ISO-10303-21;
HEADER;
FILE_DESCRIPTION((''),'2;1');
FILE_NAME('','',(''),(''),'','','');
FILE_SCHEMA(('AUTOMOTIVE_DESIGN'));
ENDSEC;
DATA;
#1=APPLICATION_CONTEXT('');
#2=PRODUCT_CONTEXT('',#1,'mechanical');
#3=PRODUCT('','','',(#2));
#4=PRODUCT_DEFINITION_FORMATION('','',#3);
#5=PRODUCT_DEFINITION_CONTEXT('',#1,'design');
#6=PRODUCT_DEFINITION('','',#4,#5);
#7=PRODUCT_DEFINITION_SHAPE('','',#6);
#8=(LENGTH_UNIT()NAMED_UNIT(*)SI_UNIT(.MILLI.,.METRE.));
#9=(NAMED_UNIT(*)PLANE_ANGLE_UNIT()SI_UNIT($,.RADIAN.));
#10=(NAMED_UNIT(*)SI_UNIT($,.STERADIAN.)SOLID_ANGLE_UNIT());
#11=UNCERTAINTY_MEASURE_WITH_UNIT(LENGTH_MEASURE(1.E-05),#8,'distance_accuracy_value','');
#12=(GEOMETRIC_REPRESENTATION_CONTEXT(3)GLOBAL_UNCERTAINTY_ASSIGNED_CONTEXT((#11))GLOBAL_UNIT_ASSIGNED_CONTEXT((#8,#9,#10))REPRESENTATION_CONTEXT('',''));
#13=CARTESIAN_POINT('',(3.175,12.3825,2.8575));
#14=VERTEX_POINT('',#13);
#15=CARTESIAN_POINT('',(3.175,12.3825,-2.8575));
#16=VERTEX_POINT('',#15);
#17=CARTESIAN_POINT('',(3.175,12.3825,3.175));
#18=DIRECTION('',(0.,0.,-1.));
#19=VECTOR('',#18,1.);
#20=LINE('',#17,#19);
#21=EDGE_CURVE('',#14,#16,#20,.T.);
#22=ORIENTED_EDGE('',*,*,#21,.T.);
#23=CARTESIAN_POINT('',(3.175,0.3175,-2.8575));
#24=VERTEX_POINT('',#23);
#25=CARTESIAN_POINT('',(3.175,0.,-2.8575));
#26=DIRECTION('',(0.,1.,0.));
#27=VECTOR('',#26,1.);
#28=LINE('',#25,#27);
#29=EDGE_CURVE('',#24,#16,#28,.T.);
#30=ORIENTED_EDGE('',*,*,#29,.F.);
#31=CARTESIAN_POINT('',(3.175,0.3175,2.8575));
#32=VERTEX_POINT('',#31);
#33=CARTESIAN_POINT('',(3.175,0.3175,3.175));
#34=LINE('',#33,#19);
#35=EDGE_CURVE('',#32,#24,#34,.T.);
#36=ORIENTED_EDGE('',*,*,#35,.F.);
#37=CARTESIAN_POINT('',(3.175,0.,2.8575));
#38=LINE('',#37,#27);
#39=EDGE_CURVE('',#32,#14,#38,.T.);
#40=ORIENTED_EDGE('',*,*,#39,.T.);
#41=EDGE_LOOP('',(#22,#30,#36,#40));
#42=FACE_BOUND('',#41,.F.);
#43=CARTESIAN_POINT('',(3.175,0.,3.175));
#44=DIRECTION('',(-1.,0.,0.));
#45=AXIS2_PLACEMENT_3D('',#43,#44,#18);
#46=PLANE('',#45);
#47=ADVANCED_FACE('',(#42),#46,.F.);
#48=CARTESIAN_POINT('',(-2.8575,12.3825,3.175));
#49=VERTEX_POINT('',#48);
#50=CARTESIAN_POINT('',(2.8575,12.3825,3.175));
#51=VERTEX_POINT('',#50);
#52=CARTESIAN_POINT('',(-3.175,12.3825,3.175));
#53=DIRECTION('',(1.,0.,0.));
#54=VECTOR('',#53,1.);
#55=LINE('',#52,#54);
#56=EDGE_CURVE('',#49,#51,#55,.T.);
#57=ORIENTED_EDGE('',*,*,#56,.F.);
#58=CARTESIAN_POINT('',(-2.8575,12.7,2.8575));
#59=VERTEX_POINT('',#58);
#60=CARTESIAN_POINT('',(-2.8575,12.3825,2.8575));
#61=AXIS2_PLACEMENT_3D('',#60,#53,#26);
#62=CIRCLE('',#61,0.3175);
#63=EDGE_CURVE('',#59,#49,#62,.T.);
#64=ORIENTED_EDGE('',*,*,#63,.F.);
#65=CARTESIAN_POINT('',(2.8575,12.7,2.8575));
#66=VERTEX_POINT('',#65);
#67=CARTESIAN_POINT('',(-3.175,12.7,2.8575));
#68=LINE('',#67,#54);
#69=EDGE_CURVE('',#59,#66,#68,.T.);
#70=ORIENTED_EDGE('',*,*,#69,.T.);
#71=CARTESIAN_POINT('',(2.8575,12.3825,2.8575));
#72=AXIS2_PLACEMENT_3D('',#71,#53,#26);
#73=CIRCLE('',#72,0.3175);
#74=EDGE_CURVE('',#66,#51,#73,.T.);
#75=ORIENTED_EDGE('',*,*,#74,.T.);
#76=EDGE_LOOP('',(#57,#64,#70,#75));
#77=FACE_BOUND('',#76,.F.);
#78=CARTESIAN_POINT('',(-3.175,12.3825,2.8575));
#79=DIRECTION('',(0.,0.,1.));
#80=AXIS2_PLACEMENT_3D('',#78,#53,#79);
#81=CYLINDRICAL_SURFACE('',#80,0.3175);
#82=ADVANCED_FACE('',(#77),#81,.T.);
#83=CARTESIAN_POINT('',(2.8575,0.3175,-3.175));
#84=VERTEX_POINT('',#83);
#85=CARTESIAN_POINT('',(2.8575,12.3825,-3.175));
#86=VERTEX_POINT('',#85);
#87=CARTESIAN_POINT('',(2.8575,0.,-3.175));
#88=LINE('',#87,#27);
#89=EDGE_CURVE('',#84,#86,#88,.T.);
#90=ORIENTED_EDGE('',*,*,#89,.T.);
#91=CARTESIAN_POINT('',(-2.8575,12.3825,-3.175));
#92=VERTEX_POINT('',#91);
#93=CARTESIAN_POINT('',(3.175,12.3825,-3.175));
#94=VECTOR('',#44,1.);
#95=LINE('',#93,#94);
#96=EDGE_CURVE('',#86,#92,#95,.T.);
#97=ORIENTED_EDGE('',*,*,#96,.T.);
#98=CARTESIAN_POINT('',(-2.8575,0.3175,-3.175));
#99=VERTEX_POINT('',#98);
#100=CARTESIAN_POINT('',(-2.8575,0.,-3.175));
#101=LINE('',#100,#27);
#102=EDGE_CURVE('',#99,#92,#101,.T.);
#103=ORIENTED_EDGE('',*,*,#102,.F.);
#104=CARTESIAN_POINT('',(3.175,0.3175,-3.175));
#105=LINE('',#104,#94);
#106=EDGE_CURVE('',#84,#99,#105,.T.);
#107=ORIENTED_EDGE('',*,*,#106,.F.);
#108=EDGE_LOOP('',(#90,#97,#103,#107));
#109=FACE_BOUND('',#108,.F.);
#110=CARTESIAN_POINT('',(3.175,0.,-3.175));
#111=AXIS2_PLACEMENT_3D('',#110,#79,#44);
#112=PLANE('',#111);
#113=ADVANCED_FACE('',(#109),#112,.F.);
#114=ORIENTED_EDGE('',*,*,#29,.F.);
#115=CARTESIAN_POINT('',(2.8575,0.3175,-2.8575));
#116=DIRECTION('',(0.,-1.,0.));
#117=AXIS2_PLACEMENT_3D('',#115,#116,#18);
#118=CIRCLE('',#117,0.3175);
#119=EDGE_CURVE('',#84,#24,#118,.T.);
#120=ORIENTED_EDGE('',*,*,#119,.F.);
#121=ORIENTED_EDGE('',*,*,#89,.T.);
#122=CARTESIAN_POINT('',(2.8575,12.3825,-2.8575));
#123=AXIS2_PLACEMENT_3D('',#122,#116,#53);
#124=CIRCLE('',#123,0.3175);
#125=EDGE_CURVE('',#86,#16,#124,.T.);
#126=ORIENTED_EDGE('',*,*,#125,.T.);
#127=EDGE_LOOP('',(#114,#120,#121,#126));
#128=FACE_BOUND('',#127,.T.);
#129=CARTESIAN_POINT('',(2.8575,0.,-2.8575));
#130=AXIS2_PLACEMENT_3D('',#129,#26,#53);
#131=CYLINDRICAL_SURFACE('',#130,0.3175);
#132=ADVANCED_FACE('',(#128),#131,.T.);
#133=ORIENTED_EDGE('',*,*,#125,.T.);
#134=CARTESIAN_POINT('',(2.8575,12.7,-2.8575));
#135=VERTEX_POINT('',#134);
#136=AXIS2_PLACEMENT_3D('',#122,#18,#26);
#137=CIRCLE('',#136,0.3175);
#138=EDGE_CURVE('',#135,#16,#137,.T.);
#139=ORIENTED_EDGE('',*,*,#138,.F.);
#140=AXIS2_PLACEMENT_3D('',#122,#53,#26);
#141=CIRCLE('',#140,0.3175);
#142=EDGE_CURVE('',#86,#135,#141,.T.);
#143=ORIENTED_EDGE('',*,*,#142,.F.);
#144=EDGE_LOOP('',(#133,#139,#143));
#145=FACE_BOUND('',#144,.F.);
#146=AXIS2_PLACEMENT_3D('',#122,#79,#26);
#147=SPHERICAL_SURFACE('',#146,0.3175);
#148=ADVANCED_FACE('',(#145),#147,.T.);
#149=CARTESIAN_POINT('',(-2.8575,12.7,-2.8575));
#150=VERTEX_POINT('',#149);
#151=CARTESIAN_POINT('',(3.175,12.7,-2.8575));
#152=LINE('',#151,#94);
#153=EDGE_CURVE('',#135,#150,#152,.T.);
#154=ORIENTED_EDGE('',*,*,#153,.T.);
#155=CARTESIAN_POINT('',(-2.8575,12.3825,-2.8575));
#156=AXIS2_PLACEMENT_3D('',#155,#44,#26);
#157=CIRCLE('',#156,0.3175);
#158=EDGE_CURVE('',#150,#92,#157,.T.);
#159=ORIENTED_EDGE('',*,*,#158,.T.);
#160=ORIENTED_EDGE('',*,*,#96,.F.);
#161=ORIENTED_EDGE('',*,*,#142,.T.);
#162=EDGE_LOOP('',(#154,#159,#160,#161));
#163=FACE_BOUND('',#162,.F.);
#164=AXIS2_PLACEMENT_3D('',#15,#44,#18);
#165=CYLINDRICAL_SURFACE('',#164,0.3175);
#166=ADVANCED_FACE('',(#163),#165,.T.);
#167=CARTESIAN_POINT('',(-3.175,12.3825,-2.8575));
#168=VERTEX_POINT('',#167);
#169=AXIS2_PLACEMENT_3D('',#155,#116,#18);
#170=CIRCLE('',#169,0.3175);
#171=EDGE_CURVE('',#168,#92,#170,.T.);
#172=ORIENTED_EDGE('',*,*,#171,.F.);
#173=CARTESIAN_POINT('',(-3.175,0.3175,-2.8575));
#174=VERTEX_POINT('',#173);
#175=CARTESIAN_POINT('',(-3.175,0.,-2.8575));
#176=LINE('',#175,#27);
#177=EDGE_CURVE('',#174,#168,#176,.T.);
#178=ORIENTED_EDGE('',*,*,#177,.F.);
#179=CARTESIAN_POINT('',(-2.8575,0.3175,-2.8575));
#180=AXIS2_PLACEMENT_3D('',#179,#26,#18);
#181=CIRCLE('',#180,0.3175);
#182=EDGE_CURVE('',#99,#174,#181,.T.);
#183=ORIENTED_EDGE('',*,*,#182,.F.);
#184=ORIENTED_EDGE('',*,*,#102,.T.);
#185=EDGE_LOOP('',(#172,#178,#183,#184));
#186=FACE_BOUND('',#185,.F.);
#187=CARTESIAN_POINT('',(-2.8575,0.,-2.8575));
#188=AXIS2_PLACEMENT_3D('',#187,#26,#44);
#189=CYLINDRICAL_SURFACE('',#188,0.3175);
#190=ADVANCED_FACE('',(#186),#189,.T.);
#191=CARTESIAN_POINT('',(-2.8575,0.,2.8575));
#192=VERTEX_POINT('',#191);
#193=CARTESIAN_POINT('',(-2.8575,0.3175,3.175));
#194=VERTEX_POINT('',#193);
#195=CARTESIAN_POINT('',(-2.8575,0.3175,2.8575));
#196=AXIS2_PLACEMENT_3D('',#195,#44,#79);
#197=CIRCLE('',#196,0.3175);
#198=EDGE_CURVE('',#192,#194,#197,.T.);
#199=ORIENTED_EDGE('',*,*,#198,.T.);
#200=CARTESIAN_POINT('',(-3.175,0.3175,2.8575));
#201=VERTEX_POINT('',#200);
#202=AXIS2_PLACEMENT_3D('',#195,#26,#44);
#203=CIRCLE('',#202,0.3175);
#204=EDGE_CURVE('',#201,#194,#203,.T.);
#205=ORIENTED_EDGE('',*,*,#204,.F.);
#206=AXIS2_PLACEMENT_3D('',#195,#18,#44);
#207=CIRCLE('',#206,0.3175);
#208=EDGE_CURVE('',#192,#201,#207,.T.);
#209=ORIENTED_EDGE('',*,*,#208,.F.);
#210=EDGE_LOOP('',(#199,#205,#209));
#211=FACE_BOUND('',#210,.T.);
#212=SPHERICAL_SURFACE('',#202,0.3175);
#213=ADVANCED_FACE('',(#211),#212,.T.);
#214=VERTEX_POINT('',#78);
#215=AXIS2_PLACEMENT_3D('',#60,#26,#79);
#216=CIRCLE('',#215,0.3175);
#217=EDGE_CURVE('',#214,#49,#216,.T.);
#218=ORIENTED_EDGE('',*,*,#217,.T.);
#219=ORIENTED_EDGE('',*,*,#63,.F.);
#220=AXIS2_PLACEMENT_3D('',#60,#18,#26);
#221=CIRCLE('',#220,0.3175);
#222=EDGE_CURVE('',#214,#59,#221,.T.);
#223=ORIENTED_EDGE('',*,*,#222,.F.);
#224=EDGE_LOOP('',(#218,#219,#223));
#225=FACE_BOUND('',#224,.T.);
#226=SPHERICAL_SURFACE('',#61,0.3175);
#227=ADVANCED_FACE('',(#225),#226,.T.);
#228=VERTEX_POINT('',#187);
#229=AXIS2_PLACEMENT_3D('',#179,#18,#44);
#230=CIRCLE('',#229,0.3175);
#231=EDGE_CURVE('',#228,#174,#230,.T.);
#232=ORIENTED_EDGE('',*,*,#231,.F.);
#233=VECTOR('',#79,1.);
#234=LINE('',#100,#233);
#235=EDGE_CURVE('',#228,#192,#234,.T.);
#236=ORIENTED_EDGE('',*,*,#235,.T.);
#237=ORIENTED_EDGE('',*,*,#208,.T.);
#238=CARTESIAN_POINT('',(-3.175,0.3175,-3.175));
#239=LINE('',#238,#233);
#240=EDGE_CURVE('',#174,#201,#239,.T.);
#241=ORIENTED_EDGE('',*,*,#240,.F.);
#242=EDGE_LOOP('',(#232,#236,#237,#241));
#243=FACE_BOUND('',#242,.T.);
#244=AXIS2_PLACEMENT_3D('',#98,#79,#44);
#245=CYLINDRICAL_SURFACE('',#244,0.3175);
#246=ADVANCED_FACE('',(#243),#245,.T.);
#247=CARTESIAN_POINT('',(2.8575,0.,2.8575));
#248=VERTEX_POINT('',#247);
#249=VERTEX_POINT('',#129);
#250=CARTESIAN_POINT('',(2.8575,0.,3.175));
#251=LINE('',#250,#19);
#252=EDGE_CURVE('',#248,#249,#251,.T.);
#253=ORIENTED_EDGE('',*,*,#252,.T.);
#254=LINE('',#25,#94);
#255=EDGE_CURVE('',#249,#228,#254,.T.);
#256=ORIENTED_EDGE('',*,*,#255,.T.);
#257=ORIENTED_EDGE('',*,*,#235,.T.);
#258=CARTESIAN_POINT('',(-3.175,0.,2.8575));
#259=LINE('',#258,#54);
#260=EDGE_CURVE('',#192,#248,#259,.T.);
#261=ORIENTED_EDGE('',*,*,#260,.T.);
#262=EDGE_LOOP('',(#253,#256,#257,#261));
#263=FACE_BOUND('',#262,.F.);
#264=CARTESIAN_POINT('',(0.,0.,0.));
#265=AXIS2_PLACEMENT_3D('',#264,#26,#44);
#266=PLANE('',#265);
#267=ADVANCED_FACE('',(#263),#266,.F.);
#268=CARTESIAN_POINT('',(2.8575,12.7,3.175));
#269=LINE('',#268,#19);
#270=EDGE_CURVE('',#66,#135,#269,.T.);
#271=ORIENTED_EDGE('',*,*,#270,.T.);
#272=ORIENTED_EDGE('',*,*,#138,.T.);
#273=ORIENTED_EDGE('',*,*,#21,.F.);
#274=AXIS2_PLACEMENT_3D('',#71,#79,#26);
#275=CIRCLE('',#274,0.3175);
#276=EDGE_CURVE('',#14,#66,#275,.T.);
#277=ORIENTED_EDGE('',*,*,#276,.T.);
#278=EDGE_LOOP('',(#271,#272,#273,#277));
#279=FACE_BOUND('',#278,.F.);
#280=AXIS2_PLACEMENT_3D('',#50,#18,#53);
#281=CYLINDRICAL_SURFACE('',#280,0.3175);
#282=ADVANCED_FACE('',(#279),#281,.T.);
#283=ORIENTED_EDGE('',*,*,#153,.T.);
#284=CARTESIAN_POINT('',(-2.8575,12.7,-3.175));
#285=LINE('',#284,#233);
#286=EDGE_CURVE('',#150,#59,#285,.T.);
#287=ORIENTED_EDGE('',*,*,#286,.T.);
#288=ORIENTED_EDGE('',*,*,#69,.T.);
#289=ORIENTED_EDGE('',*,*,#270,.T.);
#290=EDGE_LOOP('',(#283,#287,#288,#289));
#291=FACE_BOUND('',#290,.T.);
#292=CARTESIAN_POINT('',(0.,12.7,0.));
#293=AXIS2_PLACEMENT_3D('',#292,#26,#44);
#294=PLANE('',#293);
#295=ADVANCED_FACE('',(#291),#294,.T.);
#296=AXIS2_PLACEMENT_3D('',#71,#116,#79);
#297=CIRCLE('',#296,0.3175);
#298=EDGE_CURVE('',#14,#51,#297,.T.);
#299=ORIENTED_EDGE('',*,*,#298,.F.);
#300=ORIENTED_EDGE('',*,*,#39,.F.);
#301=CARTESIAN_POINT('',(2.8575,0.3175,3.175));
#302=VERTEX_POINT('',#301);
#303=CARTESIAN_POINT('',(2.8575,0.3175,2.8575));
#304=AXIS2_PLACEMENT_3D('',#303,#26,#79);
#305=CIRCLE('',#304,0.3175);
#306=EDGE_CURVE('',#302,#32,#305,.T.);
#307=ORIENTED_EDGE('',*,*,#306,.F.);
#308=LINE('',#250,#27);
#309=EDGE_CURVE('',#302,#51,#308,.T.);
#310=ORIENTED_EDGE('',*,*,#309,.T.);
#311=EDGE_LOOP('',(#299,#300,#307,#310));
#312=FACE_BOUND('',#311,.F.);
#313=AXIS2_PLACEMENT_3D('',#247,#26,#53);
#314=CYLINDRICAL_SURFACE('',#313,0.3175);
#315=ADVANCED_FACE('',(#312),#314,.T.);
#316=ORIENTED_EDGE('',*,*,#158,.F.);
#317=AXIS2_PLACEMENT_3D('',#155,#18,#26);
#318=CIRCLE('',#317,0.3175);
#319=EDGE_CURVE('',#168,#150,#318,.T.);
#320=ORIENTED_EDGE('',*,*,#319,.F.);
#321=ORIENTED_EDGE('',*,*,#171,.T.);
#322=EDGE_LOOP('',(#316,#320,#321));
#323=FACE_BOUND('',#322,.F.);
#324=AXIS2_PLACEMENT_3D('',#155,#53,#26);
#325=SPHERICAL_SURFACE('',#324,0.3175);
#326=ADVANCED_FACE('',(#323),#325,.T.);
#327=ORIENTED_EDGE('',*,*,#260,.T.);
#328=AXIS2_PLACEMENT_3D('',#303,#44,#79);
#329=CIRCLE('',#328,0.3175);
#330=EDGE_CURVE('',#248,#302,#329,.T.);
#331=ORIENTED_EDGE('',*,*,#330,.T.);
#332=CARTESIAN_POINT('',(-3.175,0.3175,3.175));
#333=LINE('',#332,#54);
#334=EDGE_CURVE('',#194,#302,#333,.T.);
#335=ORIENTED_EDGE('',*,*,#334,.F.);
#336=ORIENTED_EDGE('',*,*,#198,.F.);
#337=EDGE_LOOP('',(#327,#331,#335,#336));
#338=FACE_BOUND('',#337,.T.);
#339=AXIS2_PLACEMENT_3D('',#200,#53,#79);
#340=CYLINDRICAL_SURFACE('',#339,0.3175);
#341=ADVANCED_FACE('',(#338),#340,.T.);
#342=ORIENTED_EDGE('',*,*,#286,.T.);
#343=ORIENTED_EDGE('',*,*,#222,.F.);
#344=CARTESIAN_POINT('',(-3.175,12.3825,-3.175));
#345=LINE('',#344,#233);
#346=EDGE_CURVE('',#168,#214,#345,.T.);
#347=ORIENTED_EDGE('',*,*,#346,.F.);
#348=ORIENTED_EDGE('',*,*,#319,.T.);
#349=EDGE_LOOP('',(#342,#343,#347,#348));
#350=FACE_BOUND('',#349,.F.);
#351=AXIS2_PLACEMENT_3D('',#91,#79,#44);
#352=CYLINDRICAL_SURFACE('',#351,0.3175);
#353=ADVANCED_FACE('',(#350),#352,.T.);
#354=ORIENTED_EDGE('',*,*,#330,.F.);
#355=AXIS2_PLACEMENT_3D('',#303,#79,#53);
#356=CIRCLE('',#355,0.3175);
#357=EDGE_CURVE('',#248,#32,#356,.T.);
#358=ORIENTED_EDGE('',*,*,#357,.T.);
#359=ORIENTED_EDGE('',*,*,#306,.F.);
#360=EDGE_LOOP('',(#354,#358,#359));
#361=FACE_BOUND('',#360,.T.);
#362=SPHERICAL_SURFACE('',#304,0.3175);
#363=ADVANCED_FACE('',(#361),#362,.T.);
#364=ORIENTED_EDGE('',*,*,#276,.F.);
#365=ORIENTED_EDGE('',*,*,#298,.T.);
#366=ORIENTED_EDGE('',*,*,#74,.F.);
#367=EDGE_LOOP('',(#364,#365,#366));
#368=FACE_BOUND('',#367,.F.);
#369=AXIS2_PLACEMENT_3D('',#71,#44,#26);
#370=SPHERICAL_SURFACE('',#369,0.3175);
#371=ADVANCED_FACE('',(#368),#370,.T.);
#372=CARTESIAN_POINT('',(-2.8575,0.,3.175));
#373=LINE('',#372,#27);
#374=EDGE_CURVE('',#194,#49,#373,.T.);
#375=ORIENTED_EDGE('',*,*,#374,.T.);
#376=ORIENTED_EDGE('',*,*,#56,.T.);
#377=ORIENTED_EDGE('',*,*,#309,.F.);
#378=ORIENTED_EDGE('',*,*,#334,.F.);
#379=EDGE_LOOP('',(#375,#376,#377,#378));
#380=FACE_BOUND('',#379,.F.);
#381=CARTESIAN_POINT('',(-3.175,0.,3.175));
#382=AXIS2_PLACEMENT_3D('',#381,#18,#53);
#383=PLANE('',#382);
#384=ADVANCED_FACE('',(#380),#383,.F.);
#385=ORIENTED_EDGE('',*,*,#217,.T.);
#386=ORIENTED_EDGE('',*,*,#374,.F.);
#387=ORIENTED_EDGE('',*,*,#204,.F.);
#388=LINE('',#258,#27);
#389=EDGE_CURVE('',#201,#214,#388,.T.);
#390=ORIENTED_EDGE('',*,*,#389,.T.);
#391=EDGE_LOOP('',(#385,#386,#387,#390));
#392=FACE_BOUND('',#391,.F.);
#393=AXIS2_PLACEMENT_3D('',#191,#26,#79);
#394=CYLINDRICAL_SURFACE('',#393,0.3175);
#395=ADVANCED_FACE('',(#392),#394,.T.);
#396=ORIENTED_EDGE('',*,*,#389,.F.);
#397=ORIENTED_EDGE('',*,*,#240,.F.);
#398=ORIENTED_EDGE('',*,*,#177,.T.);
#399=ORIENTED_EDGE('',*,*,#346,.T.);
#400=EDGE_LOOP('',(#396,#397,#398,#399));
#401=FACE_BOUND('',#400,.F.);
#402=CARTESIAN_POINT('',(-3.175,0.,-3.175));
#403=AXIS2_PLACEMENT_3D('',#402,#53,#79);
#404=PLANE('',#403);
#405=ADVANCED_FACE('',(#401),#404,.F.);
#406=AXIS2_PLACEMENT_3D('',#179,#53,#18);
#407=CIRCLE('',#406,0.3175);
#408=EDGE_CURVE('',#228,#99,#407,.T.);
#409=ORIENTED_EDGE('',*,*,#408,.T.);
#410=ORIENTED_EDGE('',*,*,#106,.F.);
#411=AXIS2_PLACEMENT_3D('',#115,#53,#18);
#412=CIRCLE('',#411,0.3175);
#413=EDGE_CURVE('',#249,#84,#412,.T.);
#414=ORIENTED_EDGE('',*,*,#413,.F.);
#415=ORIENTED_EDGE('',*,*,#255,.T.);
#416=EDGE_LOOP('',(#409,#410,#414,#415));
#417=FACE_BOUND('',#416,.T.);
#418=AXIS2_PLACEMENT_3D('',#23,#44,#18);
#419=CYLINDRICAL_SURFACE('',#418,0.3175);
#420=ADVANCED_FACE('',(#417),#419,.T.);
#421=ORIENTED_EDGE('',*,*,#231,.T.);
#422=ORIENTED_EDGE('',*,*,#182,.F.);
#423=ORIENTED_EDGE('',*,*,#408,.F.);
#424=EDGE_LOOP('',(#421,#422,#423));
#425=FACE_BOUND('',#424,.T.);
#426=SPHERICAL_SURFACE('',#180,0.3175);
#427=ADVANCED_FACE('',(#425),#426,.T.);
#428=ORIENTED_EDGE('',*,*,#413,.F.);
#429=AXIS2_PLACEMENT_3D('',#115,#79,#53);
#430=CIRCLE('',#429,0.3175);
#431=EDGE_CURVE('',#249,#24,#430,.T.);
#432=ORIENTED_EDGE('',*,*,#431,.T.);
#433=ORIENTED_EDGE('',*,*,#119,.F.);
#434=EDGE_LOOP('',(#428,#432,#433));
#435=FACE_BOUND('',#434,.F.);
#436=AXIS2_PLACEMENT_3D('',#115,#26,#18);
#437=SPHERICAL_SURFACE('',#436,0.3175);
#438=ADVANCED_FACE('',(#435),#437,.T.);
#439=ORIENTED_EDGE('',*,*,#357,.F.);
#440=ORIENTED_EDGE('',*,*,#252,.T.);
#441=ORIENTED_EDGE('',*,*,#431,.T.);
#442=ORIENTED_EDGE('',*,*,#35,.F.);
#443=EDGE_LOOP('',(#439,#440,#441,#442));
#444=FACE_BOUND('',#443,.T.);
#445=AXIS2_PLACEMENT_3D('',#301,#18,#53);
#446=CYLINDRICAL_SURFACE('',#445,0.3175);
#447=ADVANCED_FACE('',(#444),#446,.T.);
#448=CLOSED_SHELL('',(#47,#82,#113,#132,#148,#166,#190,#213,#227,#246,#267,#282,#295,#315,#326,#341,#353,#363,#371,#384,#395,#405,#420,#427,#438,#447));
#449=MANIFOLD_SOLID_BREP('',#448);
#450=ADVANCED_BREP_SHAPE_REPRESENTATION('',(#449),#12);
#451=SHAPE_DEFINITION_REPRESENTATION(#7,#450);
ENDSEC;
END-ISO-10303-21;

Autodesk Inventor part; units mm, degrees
ref_plane "YZ Plane" through (0, 0, 0) normal (1, 0, 0) x (0, 1, 0)
ref_plane "XZ Plane" through (0, 0, 0) normal (0, 1, 0) x (-1, 0, 0)
ref_plane "XY Plane" through (0, 0, 0) normal (0, 0, 1) x (1, 0, 0)
sketch "Sketch1" plane through (0, 0, 0) normal (0, 1, 0) x (-1, 0, 0)
  line L0 (-3.175, -3.175) -> (3.175, -3.175)
  line L1 (3.175, -3.175) -> (3.175, 3.175)
  line L2 (3.175, 3.175) -> (-3.175, 3.175)
  line L3 (-3.175, 3.175) -> (-3.175, -3.175)
  line L4 (-3.175, -3.175) -> (3.175, 3.175) construction
  line L5 (3.175, -3.175) -> (-3.175, 3.175) construction
  point P0 (0, 0)
  dimension "d0" = 6.35
  dimension "d1" = 6.35
extrude "Extrusion1" add sketch "Sketch1" along normal blind 12.7
fillet "Fillet1" radius 0.3175 12 edges at (0, 12.7, 3.175) (3.175, 12.7, 0) (0, 12.7, -3.175) (-3.175, 12.7, 0) (-3.175, 6.35, 3.175) (3.175, 6.35, 3.175) (3.175, 6.35, -3.175) (-3.175, 6.35, -3.175) (0, 0, -3.175) (-3.175, 0, 0) (0, 0, 3.175) (3.175, 0, 0)
properties part number "magnet1_4x1_4x1_2" material "Nickel-Copper Alloy 400"
